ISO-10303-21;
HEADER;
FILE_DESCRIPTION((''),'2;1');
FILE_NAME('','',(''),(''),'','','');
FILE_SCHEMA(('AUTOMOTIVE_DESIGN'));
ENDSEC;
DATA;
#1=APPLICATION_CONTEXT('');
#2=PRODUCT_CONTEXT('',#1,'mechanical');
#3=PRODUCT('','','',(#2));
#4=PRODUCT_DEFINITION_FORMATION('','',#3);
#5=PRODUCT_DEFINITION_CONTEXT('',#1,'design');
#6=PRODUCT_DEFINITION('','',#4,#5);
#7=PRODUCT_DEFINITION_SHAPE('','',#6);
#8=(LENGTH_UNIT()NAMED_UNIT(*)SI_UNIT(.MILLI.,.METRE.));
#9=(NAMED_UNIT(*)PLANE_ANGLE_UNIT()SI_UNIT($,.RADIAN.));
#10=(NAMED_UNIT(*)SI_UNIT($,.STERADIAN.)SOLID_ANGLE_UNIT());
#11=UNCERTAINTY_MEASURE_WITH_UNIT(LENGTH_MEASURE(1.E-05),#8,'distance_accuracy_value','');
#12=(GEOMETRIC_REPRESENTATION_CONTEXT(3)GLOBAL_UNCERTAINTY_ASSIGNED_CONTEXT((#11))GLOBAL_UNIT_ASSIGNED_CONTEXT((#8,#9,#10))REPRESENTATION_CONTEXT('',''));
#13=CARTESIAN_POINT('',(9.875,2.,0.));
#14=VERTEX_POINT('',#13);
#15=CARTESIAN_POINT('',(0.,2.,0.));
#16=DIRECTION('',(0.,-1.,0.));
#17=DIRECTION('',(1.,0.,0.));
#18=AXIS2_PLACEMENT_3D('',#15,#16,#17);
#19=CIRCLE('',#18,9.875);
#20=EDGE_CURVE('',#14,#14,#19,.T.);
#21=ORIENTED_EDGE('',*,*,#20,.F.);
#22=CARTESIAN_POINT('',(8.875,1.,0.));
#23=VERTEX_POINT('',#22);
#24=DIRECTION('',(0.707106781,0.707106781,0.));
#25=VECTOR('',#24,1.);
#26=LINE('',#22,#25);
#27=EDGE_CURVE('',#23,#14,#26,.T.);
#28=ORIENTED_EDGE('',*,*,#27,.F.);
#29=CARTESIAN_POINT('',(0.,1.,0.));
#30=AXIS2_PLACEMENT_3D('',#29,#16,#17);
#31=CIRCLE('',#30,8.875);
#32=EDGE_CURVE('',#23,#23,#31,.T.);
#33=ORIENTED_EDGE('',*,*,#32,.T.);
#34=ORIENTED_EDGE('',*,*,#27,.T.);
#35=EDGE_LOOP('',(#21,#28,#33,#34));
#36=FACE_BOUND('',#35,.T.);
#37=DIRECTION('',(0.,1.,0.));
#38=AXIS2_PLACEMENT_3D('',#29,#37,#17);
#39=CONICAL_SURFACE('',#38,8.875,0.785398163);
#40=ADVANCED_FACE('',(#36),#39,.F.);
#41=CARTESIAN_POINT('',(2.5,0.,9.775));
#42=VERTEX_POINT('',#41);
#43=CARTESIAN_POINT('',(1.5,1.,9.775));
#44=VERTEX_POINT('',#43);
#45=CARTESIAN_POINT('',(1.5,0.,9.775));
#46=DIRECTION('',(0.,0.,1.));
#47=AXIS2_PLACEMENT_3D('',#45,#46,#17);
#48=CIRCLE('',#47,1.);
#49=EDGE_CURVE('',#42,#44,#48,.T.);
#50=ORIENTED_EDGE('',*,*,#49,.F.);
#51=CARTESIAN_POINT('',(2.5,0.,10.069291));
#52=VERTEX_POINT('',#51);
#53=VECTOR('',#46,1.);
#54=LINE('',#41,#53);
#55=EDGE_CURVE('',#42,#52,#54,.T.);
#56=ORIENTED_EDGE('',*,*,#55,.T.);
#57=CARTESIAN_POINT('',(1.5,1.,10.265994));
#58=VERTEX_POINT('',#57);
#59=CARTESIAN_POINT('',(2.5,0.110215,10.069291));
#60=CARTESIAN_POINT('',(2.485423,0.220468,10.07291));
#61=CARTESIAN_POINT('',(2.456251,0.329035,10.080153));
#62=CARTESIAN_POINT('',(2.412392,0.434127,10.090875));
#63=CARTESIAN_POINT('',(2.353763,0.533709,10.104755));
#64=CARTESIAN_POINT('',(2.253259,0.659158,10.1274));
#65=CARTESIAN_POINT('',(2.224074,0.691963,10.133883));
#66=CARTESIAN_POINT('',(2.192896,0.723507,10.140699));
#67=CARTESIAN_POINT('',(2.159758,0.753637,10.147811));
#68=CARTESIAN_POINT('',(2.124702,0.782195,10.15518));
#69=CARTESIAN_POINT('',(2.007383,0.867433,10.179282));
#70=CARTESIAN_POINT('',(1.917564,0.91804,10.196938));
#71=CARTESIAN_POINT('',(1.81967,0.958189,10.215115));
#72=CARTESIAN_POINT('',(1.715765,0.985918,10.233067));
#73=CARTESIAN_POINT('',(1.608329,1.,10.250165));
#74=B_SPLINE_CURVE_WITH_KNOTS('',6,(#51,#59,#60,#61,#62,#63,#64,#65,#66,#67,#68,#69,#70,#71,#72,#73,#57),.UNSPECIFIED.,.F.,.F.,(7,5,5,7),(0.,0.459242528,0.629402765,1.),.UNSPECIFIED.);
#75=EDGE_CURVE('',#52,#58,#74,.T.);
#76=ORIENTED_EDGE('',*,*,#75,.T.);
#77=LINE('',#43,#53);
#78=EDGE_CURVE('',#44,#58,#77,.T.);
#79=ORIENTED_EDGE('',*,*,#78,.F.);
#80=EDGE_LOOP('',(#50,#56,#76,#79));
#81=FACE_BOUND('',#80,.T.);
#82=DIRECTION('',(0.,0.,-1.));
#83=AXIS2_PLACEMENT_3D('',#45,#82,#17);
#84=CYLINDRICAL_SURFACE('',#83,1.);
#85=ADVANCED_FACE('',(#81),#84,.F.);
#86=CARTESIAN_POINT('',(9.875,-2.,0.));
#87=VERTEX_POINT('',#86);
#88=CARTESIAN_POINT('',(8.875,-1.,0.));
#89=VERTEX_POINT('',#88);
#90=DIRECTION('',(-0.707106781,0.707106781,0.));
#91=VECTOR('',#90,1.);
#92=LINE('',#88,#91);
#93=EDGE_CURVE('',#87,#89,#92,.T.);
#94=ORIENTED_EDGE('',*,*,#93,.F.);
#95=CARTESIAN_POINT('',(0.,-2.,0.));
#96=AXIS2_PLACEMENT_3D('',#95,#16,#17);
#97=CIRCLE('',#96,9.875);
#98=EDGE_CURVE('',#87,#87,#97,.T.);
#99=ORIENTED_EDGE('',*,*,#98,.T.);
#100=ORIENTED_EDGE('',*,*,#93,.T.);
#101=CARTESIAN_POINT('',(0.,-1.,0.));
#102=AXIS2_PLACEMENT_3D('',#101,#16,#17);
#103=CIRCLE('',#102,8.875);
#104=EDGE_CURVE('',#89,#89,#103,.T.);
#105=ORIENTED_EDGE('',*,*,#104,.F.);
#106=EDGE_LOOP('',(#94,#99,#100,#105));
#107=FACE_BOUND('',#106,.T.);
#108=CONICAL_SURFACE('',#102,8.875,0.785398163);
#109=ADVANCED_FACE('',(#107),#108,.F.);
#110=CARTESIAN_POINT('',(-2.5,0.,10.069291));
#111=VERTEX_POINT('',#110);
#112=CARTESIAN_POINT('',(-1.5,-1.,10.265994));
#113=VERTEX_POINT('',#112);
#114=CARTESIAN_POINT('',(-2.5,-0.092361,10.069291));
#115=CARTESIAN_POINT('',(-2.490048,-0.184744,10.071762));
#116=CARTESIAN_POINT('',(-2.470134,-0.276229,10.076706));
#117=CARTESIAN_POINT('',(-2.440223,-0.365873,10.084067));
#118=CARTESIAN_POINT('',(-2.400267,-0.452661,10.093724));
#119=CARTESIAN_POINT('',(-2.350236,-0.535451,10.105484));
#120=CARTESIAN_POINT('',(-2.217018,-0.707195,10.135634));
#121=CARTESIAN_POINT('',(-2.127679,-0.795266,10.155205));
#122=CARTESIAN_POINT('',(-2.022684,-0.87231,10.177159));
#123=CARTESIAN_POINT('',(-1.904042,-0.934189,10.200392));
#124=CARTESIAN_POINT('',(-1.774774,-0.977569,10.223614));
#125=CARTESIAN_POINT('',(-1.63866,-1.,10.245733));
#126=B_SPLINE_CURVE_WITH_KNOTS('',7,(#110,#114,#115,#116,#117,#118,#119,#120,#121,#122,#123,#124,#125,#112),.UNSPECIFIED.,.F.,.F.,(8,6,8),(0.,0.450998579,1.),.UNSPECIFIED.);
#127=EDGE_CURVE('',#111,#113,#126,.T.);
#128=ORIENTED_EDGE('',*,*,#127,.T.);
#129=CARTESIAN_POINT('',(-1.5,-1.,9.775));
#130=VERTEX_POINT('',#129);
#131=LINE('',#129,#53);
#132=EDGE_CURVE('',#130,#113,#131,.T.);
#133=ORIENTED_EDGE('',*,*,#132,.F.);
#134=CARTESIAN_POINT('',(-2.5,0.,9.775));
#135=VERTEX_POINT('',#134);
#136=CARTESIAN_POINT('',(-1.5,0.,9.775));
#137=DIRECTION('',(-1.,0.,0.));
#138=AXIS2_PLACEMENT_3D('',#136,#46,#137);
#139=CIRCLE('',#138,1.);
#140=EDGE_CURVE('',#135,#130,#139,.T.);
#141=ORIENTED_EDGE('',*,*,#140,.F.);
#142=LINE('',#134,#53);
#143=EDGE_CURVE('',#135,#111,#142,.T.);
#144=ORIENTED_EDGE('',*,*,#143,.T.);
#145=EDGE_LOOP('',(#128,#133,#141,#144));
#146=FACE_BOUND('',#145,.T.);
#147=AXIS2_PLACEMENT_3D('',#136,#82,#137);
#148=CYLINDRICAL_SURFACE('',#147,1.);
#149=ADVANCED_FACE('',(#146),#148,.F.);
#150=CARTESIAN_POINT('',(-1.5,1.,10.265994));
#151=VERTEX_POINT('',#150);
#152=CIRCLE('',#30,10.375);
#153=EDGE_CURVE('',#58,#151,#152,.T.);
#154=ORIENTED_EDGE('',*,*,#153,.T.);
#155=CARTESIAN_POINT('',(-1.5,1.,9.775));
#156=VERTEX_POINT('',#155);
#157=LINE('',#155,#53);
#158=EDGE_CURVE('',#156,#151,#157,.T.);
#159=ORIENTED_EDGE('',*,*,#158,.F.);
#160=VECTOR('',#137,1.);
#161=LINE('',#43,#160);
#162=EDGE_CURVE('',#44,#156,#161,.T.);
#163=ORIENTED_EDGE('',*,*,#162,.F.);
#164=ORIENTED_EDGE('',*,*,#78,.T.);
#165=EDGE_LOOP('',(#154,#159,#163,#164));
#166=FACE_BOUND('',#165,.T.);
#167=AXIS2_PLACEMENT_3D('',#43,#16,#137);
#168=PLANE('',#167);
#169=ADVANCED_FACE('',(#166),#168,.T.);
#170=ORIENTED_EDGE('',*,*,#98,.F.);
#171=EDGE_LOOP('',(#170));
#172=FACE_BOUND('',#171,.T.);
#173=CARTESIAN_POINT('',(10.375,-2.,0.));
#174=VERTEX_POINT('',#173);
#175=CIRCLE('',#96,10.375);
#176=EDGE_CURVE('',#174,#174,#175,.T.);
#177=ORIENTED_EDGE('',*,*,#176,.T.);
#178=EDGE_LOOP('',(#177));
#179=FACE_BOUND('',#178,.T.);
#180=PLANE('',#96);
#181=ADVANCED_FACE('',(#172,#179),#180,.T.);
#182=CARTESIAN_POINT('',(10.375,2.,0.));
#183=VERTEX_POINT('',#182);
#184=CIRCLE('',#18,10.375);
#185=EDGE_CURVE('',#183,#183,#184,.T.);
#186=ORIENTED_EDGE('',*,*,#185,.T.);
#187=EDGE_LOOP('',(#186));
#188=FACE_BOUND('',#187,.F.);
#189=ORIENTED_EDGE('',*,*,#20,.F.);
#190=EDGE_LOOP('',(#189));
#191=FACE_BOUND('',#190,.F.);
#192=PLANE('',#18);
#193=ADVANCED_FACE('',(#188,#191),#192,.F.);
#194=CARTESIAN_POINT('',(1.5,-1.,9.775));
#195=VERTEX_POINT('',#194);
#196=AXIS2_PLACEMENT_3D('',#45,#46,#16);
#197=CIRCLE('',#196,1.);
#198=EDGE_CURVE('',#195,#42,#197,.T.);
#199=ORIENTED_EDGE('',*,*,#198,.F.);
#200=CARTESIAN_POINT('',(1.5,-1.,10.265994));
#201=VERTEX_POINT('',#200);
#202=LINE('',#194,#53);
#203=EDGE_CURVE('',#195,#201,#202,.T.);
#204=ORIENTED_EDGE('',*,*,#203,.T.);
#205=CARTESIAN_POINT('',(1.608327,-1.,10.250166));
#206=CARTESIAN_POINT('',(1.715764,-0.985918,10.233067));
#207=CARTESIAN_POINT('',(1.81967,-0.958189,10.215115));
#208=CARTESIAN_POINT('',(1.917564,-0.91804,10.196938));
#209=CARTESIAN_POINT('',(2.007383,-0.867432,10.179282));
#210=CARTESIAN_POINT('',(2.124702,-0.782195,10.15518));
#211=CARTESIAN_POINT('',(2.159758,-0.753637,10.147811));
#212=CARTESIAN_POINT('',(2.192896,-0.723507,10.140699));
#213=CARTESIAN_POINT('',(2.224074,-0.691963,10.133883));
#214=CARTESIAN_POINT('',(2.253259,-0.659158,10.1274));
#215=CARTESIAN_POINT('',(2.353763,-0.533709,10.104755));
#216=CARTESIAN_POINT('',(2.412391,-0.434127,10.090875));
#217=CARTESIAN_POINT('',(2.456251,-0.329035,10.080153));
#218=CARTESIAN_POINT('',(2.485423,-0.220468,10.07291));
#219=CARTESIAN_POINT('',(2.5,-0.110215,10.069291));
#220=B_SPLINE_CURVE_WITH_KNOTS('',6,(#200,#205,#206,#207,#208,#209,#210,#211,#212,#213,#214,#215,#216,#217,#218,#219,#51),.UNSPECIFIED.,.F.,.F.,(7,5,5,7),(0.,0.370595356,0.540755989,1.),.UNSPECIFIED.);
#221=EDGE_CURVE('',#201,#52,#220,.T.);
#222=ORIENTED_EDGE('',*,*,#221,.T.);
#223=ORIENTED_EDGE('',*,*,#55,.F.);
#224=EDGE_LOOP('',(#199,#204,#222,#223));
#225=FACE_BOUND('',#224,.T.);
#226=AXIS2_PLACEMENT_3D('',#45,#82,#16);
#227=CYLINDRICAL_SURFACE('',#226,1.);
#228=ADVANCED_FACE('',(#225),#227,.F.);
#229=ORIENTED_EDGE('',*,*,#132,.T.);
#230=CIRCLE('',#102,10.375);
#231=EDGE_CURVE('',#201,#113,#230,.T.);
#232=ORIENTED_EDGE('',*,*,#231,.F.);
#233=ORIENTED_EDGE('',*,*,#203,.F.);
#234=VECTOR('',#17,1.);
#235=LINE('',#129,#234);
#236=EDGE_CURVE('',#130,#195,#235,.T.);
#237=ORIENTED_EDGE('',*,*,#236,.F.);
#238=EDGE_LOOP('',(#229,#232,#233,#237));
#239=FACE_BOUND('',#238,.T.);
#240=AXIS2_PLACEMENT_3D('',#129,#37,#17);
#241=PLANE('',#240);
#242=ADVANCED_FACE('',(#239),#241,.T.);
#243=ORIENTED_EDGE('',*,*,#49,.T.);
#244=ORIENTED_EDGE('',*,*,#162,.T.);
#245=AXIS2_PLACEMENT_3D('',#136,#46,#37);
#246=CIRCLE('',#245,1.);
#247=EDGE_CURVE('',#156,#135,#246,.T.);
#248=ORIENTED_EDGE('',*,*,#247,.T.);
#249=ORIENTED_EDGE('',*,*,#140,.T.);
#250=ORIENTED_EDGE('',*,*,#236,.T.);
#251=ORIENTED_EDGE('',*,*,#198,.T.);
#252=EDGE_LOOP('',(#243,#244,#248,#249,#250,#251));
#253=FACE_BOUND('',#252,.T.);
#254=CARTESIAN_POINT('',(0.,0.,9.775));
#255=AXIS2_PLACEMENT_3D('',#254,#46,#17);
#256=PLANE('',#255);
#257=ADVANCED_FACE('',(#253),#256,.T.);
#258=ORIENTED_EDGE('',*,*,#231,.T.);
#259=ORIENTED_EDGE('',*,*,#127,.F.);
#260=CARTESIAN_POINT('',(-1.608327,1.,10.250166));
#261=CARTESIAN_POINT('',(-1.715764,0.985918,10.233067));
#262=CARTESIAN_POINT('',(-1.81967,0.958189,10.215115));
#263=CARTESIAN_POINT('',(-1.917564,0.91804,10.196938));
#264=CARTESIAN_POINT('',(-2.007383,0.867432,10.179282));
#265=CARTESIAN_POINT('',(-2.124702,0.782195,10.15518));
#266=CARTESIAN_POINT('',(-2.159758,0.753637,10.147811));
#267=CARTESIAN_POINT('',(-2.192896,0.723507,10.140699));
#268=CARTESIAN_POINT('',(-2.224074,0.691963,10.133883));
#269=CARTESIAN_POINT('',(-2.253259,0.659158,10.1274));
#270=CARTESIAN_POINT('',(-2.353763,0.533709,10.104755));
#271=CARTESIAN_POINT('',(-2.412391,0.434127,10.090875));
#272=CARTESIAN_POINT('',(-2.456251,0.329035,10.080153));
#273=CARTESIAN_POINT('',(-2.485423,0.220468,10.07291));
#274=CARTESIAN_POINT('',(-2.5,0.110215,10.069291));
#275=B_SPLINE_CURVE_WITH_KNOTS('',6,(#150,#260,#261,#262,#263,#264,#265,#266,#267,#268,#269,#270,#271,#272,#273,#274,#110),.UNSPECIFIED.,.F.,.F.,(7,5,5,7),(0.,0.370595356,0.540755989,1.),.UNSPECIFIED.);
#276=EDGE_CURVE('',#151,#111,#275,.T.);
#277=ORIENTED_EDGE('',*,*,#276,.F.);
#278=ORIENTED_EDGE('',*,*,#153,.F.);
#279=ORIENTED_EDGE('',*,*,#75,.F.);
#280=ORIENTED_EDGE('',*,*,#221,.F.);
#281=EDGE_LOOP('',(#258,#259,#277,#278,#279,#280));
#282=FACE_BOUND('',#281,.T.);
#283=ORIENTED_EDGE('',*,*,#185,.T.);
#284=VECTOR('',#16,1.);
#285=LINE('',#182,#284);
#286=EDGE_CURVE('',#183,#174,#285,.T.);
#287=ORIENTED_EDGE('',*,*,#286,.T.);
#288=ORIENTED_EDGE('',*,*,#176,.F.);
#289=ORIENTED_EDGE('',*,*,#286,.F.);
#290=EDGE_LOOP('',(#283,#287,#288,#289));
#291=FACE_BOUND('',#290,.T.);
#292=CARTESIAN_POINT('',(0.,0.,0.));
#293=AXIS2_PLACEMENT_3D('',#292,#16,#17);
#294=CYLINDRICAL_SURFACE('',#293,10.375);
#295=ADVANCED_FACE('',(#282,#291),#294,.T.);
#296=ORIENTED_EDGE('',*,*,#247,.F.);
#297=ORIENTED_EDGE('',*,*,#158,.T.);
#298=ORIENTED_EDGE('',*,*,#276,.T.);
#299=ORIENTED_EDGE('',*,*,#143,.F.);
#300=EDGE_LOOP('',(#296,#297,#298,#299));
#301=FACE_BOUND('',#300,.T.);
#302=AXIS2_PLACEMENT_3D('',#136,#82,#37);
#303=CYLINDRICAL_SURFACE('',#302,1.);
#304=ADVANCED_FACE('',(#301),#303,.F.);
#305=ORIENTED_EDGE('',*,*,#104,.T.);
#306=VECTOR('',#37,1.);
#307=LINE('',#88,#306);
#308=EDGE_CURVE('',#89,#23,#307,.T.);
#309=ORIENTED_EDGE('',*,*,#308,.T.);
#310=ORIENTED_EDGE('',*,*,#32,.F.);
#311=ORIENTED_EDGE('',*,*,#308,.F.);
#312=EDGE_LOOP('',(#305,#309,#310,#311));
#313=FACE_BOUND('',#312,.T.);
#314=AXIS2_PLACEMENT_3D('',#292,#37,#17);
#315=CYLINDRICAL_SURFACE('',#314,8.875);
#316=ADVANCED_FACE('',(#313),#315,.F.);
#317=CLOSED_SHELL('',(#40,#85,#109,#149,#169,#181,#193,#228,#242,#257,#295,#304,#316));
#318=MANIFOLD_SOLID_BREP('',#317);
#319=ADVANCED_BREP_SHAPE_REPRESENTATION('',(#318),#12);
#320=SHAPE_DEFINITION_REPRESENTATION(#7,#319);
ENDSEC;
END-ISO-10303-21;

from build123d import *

# Parameters (mm, degrees)
F0_R          = 10.375
F0_R_2        = 8.875
F1_DEPTH      = 2
F1_DEPTH_BACK = 2
F2_SIZE       = 1
F4_START      = 9.775
F3_R          = 0.75
F4_DEPTH      = 15.225


with BuildPart() as f1:
    # F0 (on Front) → F1 (new body, two sides)
    with BuildSketch(Plane.XZ) as f1_sk:
        Circle(F0_R)
        Circle(F0_R_2, mode=Mode.SUBTRACT)
    extrude(amount=F1_DEPTH)
    extrude(f1_sk.sketch, amount=-F1_DEPTH_BACK)

    # F2
    f2_edges = [f1.edges().sort_by_distance(p)[0] for p in [
        (-8.875, -2, 0),
        (-8.875, 2, 0),
    ]]
    chamfer(f2_edges, length=F2_SIZE)

    # F3 (on Top) → F4 (cut)
    with BuildSketch(Plane.XY.offset(F4_START)):
        with BuildLine():
            Line((-1.5, -1), (1.5, -1))
            ThreePointArc((1.5, -1), (2.2071067812, -0.7071067812), (2.5, 0))
            ThreePointArc((2.5, 0), (2.2071067812, 0.7071067812), (1.5, 1))
            Line((1.5, 1), (-1.5, 1))
            ThreePointArc((-1.5, 1), (-2.2071067812, 0.7071067812), (-2.5, 0))
            ThreePointArc((-2.5, 0), (-2.2071067812, -0.7071067812), (-1.5, -1))
        make_face()
        Circle(F3_R, mode=Mode.SUBTRACT)
        Circle(F3_R)
    extrude(amount=F4_DEPTH, mode=Mode.SUBTRACT)


solid = f1.part
